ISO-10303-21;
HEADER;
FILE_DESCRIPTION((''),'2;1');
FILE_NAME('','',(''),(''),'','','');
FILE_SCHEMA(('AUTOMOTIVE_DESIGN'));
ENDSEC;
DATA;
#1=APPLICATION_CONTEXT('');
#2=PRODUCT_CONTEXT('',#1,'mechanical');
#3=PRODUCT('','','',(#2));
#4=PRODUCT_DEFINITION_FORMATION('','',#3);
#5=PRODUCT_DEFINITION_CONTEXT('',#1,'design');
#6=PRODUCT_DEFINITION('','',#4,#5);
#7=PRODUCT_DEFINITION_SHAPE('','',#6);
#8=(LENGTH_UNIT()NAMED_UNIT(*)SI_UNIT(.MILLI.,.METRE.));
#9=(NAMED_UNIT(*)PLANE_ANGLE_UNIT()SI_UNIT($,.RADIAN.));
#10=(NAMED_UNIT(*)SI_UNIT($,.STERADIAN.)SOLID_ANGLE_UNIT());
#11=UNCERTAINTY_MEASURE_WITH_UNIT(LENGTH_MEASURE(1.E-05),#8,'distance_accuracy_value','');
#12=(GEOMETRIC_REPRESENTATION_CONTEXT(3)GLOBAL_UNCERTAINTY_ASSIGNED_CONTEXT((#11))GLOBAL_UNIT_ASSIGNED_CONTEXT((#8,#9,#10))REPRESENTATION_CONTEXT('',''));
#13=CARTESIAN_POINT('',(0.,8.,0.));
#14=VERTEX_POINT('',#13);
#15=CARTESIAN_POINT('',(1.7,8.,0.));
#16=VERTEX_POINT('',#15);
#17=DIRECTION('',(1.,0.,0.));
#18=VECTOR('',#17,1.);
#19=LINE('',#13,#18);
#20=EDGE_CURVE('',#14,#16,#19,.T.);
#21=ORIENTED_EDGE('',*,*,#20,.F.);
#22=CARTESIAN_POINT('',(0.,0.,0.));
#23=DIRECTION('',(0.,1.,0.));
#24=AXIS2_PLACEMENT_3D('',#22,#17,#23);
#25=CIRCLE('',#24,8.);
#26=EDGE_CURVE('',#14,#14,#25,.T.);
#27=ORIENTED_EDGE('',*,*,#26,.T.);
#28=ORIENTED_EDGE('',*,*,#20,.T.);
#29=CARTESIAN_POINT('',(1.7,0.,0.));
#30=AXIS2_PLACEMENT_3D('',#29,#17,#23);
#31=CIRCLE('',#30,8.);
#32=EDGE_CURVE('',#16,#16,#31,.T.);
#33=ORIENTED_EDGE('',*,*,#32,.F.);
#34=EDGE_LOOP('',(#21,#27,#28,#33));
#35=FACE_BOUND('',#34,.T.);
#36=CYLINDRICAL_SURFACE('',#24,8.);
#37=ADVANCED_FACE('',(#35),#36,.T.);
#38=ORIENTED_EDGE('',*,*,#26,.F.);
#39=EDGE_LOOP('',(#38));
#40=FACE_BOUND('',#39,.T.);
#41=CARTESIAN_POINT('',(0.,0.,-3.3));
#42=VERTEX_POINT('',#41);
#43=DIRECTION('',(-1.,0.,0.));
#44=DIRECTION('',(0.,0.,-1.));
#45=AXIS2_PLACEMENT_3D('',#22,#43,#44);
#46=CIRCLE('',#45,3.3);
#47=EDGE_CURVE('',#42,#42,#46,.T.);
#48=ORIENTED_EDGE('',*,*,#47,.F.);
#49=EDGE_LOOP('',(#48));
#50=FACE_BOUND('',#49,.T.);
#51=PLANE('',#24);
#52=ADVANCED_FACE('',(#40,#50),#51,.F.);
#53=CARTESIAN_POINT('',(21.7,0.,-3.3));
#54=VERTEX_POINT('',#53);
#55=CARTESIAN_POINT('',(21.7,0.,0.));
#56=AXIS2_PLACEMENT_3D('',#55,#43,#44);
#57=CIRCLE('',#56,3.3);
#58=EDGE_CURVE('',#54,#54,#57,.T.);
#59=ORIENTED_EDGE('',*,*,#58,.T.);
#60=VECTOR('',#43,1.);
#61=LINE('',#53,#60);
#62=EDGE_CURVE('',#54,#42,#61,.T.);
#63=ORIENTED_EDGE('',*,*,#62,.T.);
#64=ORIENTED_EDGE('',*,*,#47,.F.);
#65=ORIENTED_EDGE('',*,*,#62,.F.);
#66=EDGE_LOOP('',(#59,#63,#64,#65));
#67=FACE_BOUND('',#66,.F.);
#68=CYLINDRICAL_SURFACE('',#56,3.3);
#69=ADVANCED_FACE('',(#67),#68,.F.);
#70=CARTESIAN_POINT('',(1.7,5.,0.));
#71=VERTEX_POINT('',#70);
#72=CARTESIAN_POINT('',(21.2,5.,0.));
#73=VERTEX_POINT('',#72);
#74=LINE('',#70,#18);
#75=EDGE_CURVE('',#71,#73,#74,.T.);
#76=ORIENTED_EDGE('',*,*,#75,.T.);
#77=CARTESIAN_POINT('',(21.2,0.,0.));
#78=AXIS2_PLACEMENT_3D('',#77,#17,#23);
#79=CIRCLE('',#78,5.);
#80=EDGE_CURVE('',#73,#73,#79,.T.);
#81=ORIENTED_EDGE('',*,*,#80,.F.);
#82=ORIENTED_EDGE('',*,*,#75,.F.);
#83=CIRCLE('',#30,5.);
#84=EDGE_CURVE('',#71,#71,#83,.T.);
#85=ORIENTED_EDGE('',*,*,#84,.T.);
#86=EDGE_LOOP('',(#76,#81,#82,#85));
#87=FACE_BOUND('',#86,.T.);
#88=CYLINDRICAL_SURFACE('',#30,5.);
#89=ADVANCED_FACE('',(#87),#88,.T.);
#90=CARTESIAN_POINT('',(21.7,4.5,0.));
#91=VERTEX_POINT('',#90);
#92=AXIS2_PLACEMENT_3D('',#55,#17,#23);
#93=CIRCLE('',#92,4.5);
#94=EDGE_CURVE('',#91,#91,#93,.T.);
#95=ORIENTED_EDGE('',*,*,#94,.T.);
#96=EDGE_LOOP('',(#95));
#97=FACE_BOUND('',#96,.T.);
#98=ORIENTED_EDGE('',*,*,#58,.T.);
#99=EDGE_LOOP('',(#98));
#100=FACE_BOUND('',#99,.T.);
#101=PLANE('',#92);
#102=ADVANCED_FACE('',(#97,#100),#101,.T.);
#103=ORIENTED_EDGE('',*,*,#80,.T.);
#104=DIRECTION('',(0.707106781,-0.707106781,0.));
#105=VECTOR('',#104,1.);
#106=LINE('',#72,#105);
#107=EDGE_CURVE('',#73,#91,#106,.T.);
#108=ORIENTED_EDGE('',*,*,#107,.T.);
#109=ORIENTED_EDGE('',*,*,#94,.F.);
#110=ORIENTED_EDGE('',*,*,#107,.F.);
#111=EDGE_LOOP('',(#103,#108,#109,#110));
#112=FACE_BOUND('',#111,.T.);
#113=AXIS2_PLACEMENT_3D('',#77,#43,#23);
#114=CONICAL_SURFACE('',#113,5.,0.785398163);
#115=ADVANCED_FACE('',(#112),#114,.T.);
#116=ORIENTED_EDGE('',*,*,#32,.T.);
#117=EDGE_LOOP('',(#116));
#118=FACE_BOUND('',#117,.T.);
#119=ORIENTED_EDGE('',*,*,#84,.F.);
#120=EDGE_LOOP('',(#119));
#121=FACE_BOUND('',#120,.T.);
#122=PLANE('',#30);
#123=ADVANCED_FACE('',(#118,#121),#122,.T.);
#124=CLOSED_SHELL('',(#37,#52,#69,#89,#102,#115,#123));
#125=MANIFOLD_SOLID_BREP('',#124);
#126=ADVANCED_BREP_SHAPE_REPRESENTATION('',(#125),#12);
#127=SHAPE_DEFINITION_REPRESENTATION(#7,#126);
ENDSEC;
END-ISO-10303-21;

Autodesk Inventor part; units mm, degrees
ref_plane "Płaszczyzna początkowa" through (0, 0, 0) normal (1, 0, 0) x (0, 1, 0)
ref_plane "XZ Plane" through (0, 0, 0) normal (0, 1, 0) x (-1, 0, 0)
ref_plane "XY Plane" through (0, 0, 0) normal (0, 0, 1) x (1, 0, 0)
sketch "Szkic główny" plane through (0, 0, 0) normal (0, 0, 1) x (1, 0, 0)
  line L0 (0, 0) -> (21.7, 0)
  line L1 (0, 0) -> (0, 8)
  line L2 (1.7, 8) -> (1.7, 5)
  line L3 (0, 8) -> (1.7, 8)
  line L4 (21.7, 5) -> (21.7, 0)
  line L5 (1.7, 5) -> (21.7, 5)
  dimension "d3" = 16
  dimension "d4" = 10
revolve "Obrót1" add sketch "Szkic główny" angle 360 about axis through (0, 0, 0) along (1, 0, 0)
chamfer "Faza1" distance 0.5 angle 45 1 edges at (21.7, -5, 0) measured on face at (15.0333, 4.9353, -0.8021)
sketch "Szkic3" plane through (21.7, 0, 0) normal (1, 0, 0) x (0, 0, -1)
  point P0 (0, 0)
hole "Otwór1" at (21.7, 0, 0) direction (-1, 0, 0) diameter 6.6 depth 21.7
sketch "Szkic4" plane through (21.7, 0, 0) normal (1, 0, 0) x (0, 0, -1)
  point P0 (0, 0)
hole "Otwór2" at (21.7, 0, 0) direction (-1, 0, 0) diameter 6.6 depth 21.7
equation "\"Length\" = 21.7"
properties part number "Wał" material "Steel"
